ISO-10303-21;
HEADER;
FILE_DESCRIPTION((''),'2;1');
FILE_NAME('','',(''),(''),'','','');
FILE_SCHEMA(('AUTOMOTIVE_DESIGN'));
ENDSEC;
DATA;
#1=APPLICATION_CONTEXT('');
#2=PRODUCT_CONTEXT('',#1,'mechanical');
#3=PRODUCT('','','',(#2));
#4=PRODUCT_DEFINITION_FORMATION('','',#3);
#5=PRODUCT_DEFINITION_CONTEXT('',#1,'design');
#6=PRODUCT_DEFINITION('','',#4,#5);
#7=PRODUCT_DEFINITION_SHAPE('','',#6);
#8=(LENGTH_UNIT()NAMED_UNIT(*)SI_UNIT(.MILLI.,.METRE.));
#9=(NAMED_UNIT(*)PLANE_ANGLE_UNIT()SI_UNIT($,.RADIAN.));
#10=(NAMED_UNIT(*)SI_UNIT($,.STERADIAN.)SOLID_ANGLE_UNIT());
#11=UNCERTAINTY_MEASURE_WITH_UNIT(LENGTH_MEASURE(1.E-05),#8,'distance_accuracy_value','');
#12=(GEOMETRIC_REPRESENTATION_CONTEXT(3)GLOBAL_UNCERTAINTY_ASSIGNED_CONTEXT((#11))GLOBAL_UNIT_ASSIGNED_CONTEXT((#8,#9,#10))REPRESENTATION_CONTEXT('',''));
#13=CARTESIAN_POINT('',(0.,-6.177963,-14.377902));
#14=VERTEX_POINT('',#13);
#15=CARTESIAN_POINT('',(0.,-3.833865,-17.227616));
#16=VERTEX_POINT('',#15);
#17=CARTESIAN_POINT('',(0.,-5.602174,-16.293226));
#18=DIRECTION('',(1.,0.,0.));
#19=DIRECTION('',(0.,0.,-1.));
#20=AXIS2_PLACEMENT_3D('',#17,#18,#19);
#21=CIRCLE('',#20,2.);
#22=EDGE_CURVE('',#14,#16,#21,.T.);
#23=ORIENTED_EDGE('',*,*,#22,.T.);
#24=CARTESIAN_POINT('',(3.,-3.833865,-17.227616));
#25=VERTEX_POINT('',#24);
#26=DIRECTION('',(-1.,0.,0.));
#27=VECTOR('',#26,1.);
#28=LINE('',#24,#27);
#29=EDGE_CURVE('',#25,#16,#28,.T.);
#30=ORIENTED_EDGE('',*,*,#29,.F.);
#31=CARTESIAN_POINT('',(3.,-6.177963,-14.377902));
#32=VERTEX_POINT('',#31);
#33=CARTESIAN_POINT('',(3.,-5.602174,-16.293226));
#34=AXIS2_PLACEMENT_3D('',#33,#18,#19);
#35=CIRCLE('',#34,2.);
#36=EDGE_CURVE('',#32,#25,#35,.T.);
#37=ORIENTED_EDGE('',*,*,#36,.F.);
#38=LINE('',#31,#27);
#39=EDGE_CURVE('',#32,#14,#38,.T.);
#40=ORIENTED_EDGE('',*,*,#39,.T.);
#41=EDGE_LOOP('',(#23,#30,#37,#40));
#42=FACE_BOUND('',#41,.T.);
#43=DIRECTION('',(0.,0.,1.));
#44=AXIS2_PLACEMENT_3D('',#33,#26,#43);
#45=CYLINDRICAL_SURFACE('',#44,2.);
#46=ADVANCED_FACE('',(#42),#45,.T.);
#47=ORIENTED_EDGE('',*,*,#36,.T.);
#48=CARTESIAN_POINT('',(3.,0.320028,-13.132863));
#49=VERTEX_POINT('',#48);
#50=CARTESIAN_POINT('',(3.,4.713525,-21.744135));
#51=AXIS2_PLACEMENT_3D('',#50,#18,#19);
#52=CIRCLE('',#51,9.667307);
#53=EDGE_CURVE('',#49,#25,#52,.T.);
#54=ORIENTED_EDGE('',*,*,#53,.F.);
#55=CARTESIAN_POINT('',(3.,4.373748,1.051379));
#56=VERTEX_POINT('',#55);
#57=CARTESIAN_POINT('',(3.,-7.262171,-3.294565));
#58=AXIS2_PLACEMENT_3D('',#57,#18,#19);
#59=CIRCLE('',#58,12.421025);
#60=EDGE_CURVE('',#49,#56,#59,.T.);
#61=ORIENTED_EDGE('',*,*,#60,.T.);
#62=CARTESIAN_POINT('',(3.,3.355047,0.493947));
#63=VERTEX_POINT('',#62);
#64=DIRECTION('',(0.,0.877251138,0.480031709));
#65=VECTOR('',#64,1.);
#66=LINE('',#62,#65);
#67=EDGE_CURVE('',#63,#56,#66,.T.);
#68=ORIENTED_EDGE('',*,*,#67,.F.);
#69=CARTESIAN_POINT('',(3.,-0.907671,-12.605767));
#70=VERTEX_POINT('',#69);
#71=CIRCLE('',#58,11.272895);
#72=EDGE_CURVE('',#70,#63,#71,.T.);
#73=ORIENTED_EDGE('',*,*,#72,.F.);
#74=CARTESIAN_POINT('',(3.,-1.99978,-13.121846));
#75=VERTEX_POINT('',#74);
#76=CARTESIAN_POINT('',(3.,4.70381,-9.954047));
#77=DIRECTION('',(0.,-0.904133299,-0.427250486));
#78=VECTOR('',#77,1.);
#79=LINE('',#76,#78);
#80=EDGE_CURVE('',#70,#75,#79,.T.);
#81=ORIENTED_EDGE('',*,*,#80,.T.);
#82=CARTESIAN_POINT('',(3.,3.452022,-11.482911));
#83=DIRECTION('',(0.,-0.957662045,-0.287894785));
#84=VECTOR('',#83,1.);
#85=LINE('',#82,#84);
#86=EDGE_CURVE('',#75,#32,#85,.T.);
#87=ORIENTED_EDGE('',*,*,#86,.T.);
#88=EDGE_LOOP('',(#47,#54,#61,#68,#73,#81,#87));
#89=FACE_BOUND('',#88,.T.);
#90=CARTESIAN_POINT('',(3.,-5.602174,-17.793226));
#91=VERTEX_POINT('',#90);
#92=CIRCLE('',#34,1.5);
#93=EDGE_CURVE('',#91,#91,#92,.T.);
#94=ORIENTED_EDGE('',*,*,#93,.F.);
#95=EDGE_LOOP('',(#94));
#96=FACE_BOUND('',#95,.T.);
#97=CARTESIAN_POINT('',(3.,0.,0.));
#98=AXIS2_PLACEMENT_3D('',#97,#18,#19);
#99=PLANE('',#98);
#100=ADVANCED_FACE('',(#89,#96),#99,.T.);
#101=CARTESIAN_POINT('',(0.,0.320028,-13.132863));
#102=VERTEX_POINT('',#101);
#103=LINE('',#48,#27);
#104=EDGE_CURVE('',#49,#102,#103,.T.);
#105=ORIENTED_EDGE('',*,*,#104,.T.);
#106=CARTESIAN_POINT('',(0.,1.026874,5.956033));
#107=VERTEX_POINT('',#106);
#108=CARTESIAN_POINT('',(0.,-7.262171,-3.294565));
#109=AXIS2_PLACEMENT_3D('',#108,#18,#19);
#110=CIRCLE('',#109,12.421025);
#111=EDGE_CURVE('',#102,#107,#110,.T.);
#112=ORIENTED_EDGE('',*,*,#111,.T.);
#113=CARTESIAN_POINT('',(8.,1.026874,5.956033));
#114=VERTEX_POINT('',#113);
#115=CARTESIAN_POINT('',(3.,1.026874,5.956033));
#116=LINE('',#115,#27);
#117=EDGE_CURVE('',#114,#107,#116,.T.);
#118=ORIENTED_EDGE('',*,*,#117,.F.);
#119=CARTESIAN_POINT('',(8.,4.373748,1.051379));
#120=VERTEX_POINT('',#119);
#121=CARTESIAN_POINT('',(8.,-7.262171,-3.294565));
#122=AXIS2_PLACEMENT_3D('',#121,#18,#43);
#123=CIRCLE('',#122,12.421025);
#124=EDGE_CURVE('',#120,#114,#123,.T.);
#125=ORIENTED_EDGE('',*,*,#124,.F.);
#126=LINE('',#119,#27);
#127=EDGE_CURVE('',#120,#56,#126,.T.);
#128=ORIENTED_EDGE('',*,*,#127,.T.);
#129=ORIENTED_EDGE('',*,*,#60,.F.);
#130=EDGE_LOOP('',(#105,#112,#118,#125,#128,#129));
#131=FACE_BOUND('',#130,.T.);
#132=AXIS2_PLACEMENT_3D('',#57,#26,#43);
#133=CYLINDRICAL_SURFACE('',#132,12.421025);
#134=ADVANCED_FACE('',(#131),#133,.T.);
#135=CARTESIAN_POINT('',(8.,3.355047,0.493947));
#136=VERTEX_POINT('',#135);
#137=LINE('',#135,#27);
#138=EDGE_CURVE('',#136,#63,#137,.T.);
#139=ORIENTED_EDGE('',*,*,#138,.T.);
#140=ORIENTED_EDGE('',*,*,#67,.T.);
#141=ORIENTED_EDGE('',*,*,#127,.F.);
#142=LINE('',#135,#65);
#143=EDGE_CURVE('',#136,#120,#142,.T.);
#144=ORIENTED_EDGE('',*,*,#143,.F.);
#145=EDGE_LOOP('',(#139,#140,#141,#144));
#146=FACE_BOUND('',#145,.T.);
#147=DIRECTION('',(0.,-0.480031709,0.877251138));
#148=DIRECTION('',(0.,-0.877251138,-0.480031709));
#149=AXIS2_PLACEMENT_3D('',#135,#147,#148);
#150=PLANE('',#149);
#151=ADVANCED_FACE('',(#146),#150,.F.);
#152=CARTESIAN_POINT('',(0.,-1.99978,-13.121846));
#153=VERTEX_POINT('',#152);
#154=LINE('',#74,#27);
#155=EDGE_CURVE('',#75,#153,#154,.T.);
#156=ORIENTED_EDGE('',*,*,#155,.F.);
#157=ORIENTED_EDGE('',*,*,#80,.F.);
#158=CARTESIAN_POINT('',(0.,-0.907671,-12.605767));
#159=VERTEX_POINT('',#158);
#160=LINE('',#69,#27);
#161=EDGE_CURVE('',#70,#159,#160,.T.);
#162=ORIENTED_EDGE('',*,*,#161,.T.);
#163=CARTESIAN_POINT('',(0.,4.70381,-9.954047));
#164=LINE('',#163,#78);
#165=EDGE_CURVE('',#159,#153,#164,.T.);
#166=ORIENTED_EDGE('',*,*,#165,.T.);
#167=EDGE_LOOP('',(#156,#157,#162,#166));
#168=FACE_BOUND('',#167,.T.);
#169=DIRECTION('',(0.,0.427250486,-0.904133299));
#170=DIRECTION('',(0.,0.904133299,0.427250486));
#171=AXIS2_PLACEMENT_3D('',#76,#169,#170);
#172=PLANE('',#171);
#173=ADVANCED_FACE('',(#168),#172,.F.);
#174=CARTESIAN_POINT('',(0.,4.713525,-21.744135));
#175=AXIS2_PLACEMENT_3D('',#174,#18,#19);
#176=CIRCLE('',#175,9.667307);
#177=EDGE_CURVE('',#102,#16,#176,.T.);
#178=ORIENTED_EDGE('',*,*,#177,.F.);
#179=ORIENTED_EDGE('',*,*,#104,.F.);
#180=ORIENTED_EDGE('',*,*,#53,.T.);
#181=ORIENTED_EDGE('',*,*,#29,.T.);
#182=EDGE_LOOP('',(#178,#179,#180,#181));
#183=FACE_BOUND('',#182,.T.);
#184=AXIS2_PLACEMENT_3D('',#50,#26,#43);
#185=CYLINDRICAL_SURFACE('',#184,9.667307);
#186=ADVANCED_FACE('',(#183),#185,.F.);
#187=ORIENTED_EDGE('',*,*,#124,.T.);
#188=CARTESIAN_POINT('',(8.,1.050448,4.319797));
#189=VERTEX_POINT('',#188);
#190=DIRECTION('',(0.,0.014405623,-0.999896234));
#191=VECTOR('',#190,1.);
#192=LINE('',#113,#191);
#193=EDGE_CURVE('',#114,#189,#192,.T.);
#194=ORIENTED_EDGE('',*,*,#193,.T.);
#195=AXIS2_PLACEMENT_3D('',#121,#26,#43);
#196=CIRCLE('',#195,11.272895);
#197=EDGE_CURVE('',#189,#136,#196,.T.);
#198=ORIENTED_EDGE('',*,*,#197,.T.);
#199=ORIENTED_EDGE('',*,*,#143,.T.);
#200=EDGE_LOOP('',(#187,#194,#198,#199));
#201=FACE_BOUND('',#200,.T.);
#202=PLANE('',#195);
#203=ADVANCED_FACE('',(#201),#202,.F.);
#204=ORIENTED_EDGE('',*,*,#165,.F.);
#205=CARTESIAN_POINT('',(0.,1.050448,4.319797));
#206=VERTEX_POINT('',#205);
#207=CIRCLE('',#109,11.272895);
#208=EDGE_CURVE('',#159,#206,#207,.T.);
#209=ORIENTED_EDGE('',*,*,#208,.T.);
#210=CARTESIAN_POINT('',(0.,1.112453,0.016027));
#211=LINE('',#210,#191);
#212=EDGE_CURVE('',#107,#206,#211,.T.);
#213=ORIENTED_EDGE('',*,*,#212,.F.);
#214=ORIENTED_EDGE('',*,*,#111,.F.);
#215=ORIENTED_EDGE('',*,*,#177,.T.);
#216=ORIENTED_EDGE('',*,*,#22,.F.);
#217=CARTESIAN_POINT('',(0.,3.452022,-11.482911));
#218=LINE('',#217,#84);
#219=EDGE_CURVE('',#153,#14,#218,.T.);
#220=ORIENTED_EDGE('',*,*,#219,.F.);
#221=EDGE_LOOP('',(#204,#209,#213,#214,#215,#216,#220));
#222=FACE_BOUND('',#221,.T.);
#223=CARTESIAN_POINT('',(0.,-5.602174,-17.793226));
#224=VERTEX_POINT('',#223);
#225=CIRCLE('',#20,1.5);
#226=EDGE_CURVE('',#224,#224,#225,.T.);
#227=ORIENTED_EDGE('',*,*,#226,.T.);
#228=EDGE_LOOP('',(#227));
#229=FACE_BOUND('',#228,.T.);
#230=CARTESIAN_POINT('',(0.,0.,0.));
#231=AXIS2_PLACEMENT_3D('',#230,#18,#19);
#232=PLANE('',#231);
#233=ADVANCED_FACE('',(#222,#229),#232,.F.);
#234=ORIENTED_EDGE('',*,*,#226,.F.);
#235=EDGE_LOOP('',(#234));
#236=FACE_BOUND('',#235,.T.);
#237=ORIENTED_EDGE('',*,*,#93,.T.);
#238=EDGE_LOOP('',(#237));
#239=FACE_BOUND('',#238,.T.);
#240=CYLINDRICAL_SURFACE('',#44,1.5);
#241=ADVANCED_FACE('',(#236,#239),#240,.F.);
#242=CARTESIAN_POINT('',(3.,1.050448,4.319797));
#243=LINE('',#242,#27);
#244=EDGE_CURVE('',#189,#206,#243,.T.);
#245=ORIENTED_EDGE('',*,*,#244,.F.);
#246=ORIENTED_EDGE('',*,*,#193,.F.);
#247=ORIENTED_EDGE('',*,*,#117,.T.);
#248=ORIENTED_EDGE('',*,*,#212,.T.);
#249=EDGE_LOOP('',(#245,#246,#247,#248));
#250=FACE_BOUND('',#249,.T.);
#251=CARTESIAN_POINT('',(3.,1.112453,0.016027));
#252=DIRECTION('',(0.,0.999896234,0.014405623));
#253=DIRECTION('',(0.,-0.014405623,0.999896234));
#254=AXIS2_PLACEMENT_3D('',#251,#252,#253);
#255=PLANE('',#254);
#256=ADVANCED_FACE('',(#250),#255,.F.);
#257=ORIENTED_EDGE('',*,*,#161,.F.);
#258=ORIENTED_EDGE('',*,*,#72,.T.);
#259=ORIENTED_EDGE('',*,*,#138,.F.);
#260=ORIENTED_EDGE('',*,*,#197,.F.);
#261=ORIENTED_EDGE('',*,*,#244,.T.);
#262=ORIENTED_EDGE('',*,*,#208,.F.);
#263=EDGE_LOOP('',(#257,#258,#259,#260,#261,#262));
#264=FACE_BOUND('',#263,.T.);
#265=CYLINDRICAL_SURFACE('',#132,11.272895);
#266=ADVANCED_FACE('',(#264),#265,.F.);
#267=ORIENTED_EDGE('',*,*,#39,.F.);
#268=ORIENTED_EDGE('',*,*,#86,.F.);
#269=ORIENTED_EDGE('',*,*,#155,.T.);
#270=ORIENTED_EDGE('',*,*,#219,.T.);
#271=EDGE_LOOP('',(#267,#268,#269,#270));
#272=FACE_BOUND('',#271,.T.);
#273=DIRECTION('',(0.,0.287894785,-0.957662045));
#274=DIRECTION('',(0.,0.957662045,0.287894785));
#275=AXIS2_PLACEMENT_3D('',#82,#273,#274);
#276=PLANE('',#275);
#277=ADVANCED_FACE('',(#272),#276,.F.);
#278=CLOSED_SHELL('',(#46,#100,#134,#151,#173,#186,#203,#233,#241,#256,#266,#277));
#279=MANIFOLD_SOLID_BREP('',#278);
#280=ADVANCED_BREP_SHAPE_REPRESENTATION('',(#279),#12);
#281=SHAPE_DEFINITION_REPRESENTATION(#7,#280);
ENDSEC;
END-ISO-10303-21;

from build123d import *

# Parameters (mm, degrees)
SKETCH8_R           = 1.5
BOSS_EXTRUDE3_DEPTH = 3
BOSS_EXTRUDE4_DEPTH = 5


with BuildPart() as part:
    # Sketch8 → Boss-Extrude3 (new body)
    with BuildSketch(Plane(origin=(0, 0, 0), x_dir=(0, 0, -1), z_dir=(1, 0, 0))):
        with BuildLine():
            ThreePointArc((13.132863069, 0.320027848), (3.75419069, 5.150346209), (-5.956033277, 1.026874177))
            Line((-5.956033277, 1.026874177), (-4.319797484, 1.050447619))
            ThreePointArc((-4.319797484, 1.050447619), (4.590085283, 3.936033014), (12.605766771, -0.907670556))
            Line((12.605766771, -0.907670556), (13.12184584, -1.999779955))
            Line((13.12184584, -1.999779955), (14.377901927, -6.177963459))
            ThreePointArc((14.377901927, -6.177963459), (17.56376003, -7.146759051), (17.227616297, -3.83386543))
            ThreePointArc((17.227616297, -3.83386543), (14.859483295, -2.073108487), (13.132863069, 0.320027848))
        make_face()
        with Locations((16.293226017, -5.602173889)):
            Circle(SKETCH8_R, mode=Mode.SUBTRACT)
    extrude(amount=BOSS_EXTRUDE3_DEPTH)

    # Sketch10 → Boss-Extrude4 (add)
    with BuildSketch(Plane(origin=(3, 0, 0), x_dir=(0, 0, -1), z_dir=(1, 0, 0))):
        with BuildLine():
            Line((-5.956033277, 1.026874177), (-4.319797484, 1.050447619))
            ThreePointArc((-4.319797484, 1.050447619), (-2.522150549, 2.39412043), (-0.493946712, 3.355047235))
            Line((-0.493946712, 3.355047235), (-1.051379481, 4.37374771))
            ThreePointArc((-1.051379481, 4.37374771), (-3.706640914, 2.997700023), (-5.956033277, 1.026874177))
        make_face()
    extrude(amount=BOSS_EXTRUDE4_DEPTH)


solid = part.part
